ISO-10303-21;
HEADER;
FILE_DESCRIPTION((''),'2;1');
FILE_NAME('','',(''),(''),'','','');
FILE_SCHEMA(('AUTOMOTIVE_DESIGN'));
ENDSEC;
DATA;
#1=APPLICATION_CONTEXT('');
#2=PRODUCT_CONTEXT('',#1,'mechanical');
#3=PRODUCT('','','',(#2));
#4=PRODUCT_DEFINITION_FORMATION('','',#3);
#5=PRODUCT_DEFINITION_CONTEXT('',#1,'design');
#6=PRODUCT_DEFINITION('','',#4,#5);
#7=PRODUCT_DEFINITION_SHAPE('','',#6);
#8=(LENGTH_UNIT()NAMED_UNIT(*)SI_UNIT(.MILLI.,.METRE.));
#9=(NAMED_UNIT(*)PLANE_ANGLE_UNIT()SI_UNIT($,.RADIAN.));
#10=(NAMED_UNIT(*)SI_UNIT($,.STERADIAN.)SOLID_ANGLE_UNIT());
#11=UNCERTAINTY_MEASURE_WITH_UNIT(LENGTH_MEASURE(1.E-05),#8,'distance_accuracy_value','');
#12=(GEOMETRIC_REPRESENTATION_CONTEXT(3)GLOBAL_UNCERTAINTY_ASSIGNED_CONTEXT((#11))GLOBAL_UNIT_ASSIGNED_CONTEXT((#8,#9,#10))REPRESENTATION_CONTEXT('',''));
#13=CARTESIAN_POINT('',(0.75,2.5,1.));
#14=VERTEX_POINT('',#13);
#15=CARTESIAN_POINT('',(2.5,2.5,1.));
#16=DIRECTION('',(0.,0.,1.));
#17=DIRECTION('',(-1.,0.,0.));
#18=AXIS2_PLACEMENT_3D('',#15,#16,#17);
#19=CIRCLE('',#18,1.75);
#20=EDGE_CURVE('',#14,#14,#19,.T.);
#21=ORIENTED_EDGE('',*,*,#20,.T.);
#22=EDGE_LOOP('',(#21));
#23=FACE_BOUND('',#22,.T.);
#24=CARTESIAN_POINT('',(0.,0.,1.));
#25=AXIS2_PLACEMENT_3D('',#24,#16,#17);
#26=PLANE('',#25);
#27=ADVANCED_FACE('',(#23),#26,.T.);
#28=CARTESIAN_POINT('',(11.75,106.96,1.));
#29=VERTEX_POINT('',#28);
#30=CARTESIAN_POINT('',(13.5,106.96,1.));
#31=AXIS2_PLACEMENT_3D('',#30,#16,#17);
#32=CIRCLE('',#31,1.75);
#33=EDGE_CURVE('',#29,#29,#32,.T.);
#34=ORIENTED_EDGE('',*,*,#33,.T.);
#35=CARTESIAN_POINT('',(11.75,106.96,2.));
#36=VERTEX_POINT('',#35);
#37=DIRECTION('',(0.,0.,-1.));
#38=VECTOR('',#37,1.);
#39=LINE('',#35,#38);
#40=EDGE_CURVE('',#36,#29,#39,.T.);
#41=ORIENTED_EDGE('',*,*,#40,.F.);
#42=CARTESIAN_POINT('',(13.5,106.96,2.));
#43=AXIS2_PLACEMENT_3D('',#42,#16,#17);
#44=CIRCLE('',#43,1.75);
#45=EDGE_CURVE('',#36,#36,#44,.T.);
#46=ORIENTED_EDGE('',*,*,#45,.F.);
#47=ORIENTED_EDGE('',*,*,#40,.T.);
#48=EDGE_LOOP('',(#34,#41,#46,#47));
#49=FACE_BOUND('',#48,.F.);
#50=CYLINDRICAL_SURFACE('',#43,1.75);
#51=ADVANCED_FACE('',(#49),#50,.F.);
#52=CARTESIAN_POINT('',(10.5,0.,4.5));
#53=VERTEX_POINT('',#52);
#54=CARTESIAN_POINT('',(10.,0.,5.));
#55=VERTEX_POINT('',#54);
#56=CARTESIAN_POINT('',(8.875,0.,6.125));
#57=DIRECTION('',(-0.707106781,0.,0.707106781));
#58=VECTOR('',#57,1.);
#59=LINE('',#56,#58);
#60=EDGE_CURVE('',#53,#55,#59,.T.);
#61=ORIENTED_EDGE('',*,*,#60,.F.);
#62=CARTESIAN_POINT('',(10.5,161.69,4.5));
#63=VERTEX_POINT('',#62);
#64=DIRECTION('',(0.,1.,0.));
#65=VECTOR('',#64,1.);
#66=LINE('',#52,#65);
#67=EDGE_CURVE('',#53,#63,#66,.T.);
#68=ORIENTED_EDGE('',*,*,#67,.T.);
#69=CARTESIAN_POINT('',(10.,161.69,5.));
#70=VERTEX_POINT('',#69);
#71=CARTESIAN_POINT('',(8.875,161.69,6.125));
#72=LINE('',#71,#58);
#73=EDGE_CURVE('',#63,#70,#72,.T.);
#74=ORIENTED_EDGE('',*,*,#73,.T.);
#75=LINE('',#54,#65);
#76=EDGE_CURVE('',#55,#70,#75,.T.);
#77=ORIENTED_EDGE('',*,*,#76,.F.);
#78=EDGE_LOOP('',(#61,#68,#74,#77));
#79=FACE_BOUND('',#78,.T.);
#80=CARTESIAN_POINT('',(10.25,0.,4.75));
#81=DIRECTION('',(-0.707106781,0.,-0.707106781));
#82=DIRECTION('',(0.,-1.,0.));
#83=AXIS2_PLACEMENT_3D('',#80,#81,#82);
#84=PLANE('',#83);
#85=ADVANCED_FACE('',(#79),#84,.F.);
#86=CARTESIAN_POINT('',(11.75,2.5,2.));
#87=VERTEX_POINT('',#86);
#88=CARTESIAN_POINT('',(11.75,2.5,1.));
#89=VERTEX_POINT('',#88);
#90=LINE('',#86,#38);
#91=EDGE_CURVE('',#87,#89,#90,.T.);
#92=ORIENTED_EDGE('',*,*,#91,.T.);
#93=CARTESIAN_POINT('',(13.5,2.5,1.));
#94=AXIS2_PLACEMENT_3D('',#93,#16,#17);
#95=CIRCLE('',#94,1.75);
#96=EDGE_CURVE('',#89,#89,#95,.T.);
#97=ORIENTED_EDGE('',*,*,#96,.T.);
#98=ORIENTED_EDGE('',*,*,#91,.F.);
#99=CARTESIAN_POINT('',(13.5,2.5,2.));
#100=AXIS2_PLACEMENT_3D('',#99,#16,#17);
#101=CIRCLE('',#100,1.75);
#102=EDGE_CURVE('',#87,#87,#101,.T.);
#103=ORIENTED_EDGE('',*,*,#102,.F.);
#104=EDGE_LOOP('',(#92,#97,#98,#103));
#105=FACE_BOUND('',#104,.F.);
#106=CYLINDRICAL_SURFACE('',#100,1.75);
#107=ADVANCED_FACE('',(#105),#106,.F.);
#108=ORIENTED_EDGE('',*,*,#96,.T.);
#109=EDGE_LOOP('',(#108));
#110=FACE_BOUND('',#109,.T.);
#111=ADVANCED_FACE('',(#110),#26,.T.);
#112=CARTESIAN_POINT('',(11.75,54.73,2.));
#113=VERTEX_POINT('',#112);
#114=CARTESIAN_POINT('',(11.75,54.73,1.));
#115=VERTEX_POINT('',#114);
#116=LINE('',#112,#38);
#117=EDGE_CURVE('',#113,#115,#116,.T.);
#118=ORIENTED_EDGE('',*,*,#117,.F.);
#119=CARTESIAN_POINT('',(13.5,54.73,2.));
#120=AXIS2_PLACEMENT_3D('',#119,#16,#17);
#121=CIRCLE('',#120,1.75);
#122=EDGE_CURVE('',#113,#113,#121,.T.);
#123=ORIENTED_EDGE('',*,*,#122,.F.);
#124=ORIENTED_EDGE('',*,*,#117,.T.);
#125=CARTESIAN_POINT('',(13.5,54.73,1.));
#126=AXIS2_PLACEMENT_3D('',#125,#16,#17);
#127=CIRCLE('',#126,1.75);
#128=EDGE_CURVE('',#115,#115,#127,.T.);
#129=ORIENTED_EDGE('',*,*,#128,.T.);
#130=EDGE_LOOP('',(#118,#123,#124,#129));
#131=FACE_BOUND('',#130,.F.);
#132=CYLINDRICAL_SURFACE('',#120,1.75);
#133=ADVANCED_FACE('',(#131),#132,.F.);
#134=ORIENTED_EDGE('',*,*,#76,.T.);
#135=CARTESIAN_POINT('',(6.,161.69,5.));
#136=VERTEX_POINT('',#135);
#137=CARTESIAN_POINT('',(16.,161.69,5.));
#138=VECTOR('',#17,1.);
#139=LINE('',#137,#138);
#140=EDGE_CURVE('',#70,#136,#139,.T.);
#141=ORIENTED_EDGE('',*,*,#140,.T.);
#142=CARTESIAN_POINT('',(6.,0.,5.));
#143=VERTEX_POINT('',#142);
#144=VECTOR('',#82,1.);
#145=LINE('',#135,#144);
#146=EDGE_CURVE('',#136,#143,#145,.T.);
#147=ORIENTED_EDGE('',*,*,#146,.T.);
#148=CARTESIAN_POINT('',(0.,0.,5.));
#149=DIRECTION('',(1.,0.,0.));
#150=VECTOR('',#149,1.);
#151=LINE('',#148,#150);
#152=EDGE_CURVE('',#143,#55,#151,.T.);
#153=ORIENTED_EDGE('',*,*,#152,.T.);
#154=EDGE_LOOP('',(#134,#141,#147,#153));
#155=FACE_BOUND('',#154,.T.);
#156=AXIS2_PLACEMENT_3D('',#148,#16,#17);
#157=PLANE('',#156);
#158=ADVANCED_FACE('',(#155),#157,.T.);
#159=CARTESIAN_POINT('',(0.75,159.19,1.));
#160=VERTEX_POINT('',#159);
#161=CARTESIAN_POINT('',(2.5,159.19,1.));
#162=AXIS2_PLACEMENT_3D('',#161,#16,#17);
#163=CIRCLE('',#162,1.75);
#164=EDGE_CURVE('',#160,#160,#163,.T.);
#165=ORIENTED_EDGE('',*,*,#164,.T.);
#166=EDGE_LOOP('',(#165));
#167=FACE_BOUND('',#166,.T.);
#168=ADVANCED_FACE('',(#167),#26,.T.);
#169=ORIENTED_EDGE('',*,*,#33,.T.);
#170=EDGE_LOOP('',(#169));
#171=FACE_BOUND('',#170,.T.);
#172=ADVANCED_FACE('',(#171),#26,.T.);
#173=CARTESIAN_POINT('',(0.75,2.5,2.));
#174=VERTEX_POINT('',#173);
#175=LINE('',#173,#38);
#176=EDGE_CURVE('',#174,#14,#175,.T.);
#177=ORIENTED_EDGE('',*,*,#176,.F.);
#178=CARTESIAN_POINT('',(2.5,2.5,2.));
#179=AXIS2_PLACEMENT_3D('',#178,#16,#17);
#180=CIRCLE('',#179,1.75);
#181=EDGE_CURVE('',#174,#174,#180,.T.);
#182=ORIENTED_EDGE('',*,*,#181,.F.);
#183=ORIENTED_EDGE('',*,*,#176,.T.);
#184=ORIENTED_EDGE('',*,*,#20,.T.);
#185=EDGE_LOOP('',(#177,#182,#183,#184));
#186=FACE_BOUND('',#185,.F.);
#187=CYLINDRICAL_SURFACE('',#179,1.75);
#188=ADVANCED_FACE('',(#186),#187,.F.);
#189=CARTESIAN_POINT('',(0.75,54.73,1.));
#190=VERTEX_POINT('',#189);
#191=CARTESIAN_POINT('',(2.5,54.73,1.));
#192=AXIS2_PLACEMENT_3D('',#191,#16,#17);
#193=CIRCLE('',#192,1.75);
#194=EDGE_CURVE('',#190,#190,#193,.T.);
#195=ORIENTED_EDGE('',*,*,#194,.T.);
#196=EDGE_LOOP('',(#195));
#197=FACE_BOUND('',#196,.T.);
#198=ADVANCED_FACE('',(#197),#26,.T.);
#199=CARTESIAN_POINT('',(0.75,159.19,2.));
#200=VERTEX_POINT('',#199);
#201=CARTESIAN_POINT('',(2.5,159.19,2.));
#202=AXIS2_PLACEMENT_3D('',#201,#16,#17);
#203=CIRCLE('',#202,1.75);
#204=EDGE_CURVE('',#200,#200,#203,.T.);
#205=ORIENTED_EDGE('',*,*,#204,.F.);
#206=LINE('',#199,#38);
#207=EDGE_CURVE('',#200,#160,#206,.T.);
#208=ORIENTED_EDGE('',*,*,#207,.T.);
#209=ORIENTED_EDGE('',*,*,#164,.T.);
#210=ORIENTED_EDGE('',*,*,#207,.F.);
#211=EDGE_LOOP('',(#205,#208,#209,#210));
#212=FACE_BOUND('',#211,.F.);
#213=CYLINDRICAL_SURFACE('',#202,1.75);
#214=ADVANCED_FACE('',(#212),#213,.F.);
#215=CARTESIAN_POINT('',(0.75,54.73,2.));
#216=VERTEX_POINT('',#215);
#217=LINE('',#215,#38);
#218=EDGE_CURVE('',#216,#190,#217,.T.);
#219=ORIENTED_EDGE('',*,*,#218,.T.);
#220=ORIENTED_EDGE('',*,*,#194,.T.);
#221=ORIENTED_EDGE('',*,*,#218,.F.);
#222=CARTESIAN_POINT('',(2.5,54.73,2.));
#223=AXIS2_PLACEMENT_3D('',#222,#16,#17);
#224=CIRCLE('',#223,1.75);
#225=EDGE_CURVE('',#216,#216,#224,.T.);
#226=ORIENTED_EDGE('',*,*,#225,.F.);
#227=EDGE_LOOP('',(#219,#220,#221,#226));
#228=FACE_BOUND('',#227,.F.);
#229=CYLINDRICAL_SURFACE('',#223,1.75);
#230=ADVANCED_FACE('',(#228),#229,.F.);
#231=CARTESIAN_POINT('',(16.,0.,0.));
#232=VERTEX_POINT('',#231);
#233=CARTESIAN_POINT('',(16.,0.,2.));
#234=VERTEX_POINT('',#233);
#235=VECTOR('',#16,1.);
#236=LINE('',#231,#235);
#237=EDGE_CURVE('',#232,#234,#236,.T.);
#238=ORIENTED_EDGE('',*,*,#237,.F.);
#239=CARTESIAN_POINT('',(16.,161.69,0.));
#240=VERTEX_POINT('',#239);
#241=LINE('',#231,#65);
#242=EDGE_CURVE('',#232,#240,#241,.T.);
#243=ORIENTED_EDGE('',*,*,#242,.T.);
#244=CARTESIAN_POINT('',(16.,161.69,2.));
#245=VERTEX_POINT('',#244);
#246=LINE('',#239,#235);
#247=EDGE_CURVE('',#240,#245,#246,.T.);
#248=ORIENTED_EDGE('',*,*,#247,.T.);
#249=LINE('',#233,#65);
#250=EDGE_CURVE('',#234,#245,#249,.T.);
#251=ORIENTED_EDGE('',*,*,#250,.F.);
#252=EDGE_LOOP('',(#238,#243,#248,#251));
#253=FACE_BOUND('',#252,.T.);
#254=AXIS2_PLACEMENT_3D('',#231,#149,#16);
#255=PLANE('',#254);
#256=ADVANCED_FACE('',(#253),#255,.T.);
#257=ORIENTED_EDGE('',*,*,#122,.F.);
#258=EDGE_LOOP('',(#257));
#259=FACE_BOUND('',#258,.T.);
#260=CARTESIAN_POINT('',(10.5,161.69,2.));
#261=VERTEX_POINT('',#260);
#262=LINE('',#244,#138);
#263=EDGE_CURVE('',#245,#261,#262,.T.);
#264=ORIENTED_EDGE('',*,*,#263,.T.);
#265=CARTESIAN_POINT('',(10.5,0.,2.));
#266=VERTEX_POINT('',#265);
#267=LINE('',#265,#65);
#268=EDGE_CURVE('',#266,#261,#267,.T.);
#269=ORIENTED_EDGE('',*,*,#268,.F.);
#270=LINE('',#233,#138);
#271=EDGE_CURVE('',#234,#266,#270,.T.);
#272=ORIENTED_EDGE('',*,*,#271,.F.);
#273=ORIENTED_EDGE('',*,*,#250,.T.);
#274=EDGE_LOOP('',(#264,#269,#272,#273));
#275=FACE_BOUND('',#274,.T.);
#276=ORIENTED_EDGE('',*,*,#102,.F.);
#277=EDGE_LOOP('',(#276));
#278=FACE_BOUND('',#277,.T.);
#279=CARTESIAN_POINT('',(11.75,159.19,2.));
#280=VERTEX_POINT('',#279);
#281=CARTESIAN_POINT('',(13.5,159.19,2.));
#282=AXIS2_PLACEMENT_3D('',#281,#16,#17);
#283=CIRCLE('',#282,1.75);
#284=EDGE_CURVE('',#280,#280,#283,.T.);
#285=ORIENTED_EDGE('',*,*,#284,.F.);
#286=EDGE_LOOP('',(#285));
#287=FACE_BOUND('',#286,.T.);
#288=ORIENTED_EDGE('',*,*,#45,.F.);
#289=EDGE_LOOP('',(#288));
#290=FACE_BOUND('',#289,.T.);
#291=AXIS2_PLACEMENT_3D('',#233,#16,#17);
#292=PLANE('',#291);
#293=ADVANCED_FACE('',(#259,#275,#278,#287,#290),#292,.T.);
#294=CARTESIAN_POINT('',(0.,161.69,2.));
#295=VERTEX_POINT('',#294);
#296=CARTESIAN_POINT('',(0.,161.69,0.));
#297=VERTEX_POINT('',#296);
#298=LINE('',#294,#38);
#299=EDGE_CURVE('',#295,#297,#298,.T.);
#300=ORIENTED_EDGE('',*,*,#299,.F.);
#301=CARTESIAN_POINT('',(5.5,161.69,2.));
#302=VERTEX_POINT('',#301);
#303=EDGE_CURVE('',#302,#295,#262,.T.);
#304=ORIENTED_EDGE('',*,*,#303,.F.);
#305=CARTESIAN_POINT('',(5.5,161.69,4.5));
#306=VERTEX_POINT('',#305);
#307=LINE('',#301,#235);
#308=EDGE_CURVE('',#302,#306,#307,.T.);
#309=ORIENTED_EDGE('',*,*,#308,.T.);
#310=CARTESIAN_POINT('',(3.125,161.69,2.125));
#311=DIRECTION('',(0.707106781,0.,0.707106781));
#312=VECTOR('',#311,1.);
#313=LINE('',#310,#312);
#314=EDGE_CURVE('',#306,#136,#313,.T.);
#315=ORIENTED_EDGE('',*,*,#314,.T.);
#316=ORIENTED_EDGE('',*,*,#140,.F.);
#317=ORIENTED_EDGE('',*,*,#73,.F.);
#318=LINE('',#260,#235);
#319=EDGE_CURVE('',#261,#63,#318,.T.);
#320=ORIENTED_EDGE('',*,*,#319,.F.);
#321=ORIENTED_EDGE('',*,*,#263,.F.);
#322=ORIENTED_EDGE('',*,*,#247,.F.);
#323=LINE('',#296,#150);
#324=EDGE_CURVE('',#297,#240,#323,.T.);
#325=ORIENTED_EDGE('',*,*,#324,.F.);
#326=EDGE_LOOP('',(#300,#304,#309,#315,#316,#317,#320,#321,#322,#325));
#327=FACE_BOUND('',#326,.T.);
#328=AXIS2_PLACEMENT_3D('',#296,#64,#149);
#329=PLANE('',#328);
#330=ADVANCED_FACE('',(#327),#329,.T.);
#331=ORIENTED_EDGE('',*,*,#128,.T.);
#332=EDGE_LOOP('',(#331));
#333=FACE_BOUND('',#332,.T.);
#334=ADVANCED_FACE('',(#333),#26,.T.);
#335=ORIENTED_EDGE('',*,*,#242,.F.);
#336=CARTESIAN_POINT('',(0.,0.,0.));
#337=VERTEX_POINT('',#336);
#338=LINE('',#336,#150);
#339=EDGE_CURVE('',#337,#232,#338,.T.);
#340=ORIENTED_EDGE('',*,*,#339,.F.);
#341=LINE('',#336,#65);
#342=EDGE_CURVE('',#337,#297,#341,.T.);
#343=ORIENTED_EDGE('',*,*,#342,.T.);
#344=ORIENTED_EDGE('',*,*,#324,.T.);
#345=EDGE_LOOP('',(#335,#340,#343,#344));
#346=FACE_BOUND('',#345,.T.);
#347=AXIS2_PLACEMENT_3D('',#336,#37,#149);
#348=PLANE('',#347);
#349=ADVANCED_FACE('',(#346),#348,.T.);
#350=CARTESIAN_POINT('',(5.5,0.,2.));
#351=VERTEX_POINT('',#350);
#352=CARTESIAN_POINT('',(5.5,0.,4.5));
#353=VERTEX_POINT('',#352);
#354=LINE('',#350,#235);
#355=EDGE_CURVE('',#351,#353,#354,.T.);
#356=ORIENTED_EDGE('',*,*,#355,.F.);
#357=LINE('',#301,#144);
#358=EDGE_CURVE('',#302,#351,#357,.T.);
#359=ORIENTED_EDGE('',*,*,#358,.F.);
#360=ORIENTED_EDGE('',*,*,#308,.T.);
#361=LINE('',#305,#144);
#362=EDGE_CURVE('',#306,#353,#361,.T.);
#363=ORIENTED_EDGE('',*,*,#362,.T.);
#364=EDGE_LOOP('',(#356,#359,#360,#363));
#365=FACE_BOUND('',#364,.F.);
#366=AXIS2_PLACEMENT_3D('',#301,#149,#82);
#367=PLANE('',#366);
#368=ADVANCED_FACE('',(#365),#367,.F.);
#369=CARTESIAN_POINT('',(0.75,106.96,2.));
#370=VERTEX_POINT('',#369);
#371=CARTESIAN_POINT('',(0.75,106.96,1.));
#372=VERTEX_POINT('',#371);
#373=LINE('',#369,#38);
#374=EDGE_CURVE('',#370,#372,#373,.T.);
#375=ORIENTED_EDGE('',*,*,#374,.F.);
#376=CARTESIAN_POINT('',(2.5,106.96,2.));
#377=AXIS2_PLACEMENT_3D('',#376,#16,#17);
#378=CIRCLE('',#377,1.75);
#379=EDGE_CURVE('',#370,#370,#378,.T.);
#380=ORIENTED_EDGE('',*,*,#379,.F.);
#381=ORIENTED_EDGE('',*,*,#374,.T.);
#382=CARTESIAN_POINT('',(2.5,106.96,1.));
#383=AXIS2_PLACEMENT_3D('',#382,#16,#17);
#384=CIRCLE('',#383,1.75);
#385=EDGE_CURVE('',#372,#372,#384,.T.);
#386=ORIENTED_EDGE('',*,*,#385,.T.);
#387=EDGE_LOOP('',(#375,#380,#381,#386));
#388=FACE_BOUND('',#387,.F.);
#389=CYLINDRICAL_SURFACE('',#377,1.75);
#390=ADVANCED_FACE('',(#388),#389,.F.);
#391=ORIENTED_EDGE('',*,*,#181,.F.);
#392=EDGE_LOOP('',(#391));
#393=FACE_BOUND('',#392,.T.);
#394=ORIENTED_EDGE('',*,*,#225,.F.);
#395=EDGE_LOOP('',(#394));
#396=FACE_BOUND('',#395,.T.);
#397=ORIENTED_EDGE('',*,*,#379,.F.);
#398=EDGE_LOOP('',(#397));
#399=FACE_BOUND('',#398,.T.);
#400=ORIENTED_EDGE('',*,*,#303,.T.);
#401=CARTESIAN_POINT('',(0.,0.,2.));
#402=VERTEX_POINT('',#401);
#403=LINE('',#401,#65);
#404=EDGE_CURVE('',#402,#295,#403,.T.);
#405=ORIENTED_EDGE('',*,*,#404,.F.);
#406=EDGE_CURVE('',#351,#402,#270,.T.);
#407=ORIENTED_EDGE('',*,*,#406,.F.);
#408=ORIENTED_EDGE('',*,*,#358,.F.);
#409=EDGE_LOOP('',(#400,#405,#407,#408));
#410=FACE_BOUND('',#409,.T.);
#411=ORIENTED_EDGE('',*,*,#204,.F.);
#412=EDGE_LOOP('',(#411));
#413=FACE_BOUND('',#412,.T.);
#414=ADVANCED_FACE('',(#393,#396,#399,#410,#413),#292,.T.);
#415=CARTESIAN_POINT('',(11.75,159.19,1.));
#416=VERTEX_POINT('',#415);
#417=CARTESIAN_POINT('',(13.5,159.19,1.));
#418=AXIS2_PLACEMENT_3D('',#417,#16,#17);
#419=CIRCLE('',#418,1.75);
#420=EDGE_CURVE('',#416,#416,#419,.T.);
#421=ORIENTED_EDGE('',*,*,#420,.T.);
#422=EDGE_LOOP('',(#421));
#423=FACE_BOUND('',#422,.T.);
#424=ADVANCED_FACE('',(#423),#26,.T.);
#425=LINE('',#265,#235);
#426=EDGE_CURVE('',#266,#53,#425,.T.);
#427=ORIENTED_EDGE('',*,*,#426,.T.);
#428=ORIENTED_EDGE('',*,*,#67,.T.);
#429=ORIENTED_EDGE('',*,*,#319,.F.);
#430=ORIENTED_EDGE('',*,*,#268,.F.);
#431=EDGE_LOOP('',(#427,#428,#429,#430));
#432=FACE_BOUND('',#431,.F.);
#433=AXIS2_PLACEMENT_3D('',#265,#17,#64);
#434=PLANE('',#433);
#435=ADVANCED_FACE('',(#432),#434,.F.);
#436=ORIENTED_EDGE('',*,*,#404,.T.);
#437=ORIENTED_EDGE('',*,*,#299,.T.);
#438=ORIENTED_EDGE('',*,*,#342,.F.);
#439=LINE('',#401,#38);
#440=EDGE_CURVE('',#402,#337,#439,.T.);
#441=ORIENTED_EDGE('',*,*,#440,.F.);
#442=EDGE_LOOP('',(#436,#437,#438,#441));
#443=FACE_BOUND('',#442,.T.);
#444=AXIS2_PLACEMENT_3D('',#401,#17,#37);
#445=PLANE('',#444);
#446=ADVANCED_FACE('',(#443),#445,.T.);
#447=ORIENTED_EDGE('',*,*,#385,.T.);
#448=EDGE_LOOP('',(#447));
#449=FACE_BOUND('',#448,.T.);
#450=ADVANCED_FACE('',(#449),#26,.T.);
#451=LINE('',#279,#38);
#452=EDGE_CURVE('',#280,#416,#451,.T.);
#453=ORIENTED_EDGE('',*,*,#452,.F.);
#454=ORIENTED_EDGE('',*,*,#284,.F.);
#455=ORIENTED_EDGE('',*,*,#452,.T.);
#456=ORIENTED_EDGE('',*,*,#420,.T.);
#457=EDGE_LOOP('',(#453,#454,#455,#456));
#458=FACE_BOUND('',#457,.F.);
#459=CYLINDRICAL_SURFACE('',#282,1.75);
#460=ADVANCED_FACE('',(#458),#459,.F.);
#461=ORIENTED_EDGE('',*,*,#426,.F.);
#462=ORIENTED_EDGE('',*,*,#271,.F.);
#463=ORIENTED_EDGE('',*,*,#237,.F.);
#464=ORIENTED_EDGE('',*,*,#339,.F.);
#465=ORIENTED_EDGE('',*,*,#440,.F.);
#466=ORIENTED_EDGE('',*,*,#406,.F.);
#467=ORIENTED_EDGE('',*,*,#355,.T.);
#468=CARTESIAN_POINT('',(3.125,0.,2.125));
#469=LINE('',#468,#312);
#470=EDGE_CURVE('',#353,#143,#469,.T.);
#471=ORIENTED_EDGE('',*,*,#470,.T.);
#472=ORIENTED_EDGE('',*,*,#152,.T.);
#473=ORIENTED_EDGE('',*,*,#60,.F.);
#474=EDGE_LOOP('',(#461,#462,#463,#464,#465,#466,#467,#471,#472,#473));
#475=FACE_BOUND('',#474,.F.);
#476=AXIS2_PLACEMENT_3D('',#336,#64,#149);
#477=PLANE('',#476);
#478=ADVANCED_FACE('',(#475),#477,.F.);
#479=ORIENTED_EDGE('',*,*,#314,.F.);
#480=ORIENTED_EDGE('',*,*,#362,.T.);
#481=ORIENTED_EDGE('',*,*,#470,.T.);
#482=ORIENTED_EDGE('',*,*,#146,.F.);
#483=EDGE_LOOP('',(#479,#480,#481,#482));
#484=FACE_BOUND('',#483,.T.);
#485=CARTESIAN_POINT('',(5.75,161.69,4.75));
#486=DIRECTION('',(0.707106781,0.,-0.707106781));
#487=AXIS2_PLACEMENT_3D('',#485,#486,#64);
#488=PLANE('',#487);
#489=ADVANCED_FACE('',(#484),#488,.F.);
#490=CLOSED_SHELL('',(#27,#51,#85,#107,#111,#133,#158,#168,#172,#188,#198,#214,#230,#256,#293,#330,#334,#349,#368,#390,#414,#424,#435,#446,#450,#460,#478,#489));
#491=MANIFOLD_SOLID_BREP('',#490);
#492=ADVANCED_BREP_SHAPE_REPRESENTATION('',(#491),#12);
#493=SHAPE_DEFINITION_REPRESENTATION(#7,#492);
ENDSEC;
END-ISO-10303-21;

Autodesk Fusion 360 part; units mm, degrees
sketch "3D-printed conduit top outline" plane through (0, 0, 0) normal (0, 1, 0) x (1, 0, 0)
  line L0 (0, 0) -> (16, 0)
  line L1 (16, 0) -> (16, -2)
  line L2 (16, -2) -> (0, -2)
  line L3 (0, -2) -> (0, 0)
  dimension "d7" = 16
  dimension "d8" = 2
extrude "Extrude1" add sketch "3D-printed conduit top outline" along normal blind 161.69
sketch "Magnet holes" plane through (0, 0, 2) normal (0, 0, 1) x (-1, 0, 0)
  line L0 (0, 0) -> (-16, 0)
  line L1 (-16, 0) -> (-16, -161.69)
  line L2 (-16, -161.69) -> (0, -161.69)
  line L3 (0, -161.69) -> (0, 0)
  circle A0 centre (-2.5, -2.5) radius 2.5
  circle A1 centre (-13.5, -2.5) radius 2.5
  circle A2 centre (-2.5, -2.5) radius 1.75
  circle A3 centre (-13.5, -2.5) radius 1.75
  circle A4 centre (-2.5, -54.73) radius 1.75
  circle A5 centre (-2.5, -54.73) radius 2.5
  circle A6 centre (-13.5, -54.73) radius 2.5
  circle A7 centre (-13.5, -54.73) radius 1.75
  circle A8 centre (-2.5, -106.96) radius 1.75
  circle A9 centre (-2.5, -106.96) radius 2.5
  circle A10 centre (-13.5, -106.96) radius 2.5
  circle A11 centre (-13.5, -106.96) radius 1.75
  circle A12 centre (-2.5, -159.19) radius 1.75
  circle A13 centre (-2.5, -159.19) radius 2.5
  circle A14 centre (-13.5, -159.19) radius 2.5
  circle A15 centre (-13.5, -159.19) radius 1.75
  dimension "d11" = 5
  dimension "d12" = 5
  dimension "d13" = 3.5
  dimension "d14" = 3.5
  dimension "d17" = 0
  dimension "d18" = -156.69
extrude "Extrude2" cut sketch "Magnet holes" against normal blind 1 contours A2 | A3 | A4 | A7 | A8 | A11 | A12 | A15
sketch "Support rib" plane through (0, 0, 2) normal (0, 0, 1) x (-1, 0, 0)
  line L0 (0, 0) -> (-16, 0)
  line L1 (-16, 0) -> (-16, -161.69)
  line L2 (-16, -161.69) -> (0, -161.69)
  line L3 (0, -161.69) -> (0, 0)
  circle A0 centre (-13.5, -159.19) radius 1.75
  circle A1 centre (-13.5, -54.73) radius 1.75
  circle A2 centre (-2.5, -2.5) radius 1.75
  circle A3 centre (-2.5, -106.96) radius 1.75
  circle A4 centre (-2.5, -159.19) radius 1.75
  circle A5 centre (-2.5, -54.73) radius 1.75
  circle A6 centre (-13.5, -2.5) radius 1.75
  circle A7 centre (-13.5, -106.96) radius 1.75
  line L4 (-5.5, 0) -> (-10.5, 0)
  line L5 (-10.5, 0) -> (-10.5, -161.69)
  line L6 (-10.5, -161.69) -> (-5.5, -161.69)
  line L7 (-5.5, -161.69) -> (-5.5, 0)
  dimension "d23" = 5
  dimension "d24" = 5.5
  dimension "d25" = 5.5
extrude "Extrude3" add sketch "Support rib" along normal blind 3 contours L0 L2 L4 L5 L6 L7
chamfer "Chamfer1" distance 0.5 angle 45 2 edges at (5.5, 80.845, 5) (10.5, 80.845, 5)
equation "conduit_length = 161.69 mm"
equation "conduit_width = 16 mm"
equation "conduit_wall_thickness = 2 mm"
equation "magnet_diameter = 3 mm"
equation "magnet_height = 1 mm"
equation "number_of_magnets_on_a_side = 4"
equation "d7 = conduit_width"
equation "d8 = conduit_wall_thickness"
equation "d9 = conduit_length"
equation "d11 = magnet_diameter + 2 mm"
equation "d12 = magnet_diameter + 2 mm"
equation "d13 = magnet_diameter + 0.5 mm"
equation "d14 = magnet_diameter + 0.5 mm"
equation "d16 = number_of_magnets_on_a_side"
equation "d18 = -conduit_length + magnet_diameter + 2 mm"
equation "d19 = -magnet_height"
equation "rib_width = 5 mm"
equation "rib_height = 3 mm"
equation "d23 = rib_width"
equation "d24 = ( conduit_width - rib_width ) / 2"
equation "d26 = rib_height"
equation "rib_chamfer = 0.5 mm"
equation "d29 = rib_chamfer"
